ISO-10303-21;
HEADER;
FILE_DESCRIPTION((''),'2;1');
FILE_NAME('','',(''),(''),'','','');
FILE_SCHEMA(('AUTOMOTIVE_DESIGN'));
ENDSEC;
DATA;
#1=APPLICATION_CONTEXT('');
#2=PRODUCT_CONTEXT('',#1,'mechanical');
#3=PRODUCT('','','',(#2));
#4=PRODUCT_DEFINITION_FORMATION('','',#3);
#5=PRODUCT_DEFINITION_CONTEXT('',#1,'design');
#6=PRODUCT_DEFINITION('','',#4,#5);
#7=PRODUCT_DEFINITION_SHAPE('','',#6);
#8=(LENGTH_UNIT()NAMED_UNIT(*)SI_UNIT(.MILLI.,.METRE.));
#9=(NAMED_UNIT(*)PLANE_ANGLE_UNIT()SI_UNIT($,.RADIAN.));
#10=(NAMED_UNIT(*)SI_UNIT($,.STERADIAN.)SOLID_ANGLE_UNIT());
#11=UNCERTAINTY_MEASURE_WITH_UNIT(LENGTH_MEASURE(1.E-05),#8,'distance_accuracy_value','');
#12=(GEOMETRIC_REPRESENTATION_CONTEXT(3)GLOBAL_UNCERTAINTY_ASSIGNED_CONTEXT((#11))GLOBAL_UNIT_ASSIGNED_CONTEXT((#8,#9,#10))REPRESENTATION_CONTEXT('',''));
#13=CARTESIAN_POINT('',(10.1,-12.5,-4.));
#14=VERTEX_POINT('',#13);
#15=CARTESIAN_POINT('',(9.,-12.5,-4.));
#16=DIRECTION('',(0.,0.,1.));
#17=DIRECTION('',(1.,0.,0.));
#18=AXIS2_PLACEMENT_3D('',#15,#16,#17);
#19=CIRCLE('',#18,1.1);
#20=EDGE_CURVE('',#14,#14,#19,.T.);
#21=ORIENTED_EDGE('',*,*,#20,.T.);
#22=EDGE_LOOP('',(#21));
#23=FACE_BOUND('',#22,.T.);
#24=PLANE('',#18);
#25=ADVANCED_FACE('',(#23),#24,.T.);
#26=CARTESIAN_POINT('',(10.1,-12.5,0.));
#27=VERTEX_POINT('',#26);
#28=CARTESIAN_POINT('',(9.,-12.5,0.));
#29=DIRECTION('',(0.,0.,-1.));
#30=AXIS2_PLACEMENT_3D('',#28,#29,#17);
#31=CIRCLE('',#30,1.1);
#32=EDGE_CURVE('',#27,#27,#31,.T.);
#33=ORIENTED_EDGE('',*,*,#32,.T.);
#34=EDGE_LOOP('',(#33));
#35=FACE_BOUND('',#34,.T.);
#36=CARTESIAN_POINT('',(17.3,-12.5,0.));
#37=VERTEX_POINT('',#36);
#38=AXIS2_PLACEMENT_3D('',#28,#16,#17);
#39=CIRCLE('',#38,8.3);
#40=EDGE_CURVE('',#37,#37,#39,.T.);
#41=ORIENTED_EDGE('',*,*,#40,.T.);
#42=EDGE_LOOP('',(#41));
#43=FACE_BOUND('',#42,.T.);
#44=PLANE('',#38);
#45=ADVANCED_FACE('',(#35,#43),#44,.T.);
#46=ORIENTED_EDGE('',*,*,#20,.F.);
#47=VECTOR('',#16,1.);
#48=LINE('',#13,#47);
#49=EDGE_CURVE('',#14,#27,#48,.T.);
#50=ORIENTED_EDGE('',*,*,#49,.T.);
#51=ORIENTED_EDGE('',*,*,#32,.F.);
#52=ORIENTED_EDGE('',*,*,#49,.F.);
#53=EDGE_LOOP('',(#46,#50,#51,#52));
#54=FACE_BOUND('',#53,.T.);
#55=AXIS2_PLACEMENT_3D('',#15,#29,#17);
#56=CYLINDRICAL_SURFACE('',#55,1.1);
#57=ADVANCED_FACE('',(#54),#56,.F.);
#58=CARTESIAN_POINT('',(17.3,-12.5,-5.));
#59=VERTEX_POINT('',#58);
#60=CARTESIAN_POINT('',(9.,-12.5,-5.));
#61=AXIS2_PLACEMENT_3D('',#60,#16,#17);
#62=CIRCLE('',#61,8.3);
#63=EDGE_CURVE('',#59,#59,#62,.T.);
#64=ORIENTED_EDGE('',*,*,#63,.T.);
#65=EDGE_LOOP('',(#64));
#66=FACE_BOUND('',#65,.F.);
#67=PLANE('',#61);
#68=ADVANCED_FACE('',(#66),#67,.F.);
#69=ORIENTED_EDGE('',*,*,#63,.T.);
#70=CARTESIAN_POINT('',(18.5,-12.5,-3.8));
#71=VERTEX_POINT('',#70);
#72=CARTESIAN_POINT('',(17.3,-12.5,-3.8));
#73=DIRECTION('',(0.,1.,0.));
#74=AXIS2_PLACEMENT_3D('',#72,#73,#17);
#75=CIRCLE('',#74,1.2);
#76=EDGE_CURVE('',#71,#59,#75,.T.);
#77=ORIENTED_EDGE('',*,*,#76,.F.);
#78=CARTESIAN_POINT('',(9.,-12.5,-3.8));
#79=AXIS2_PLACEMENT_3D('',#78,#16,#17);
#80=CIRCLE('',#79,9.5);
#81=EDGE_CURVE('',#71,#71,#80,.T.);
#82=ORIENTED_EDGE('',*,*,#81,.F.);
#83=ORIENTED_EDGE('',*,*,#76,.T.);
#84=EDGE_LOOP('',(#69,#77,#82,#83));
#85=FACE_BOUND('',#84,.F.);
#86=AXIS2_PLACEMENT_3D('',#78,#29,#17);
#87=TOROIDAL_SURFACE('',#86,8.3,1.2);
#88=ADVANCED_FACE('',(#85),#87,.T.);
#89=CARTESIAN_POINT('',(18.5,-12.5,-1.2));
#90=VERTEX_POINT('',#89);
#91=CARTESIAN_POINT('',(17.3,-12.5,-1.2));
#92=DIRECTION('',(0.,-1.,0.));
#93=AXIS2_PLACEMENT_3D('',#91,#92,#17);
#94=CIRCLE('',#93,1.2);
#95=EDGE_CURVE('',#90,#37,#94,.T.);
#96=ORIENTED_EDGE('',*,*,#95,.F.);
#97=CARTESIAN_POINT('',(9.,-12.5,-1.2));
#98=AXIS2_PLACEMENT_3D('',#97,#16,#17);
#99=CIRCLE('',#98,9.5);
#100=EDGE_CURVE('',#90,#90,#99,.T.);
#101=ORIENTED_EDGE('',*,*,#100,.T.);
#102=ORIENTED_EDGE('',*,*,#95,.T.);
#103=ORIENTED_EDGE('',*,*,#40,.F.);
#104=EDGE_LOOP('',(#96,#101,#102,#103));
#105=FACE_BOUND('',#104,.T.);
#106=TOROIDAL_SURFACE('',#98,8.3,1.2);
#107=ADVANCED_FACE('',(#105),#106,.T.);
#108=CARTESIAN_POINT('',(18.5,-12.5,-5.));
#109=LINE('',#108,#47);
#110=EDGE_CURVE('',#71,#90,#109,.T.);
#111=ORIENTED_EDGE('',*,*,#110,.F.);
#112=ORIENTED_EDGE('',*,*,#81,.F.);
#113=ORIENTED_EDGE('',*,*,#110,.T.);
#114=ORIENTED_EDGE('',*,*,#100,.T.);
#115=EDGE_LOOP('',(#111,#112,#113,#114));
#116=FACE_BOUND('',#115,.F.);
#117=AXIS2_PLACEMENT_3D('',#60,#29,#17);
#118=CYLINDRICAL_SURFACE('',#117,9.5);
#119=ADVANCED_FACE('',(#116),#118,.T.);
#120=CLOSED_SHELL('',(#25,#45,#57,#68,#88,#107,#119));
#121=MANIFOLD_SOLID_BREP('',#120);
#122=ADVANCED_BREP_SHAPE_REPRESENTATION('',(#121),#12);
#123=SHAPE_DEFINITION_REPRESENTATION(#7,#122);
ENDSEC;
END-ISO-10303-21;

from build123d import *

# Parameters (mm, degrees)
CYLINDER013_R     = 1.1
CYLINDER013_DEPTH = 5
CYLINDER012_R     = 9.5
CYLINDER012_DEPTH = 5
FILLET002003_R    = 1.2


with BuildPart() as footbase001:
    # Cylinder013 → Cylinder013 (new body)
    with BuildSketch(Plane(origin=(9, 9.5, -4), x_dir=(1, 0, 0), z_dir=(0, 0, 1))):
        Circle(CYLINDER013_R)
    extrude(amount=CYLINDER013_DEPTH)


with BuildPart() as foot:
    # Cylinder012 → Cylinder012 (new body)
    with BuildSketch(Plane(origin=(9, 9.5, -5), x_dir=(1, 0, 0), z_dir=(0, 0, 1))):
        Circle(CYLINDER012_R)
    extrude(amount=CYLINDER012_DEPTH)

    # Cut001002: cut FootBase001
    add(footbase001.part, mode=Mode.SUBTRACT)


with BuildPart() as foot_1:
    # Cut001002 placement: moved
    add(foot.part.moved(Location((0, -22, 0))))

    # Fillet002003
    fillet002003_edges = [foot_1.edges().sort_by_distance(p)[0] for p in [
        (-0.5, -12.5, 0),
        (-0.5, -12.5, -5),
    ]]
    fillet(fillet002003_edges, radius=FILLET002003_R)


solid = foot_1.part
